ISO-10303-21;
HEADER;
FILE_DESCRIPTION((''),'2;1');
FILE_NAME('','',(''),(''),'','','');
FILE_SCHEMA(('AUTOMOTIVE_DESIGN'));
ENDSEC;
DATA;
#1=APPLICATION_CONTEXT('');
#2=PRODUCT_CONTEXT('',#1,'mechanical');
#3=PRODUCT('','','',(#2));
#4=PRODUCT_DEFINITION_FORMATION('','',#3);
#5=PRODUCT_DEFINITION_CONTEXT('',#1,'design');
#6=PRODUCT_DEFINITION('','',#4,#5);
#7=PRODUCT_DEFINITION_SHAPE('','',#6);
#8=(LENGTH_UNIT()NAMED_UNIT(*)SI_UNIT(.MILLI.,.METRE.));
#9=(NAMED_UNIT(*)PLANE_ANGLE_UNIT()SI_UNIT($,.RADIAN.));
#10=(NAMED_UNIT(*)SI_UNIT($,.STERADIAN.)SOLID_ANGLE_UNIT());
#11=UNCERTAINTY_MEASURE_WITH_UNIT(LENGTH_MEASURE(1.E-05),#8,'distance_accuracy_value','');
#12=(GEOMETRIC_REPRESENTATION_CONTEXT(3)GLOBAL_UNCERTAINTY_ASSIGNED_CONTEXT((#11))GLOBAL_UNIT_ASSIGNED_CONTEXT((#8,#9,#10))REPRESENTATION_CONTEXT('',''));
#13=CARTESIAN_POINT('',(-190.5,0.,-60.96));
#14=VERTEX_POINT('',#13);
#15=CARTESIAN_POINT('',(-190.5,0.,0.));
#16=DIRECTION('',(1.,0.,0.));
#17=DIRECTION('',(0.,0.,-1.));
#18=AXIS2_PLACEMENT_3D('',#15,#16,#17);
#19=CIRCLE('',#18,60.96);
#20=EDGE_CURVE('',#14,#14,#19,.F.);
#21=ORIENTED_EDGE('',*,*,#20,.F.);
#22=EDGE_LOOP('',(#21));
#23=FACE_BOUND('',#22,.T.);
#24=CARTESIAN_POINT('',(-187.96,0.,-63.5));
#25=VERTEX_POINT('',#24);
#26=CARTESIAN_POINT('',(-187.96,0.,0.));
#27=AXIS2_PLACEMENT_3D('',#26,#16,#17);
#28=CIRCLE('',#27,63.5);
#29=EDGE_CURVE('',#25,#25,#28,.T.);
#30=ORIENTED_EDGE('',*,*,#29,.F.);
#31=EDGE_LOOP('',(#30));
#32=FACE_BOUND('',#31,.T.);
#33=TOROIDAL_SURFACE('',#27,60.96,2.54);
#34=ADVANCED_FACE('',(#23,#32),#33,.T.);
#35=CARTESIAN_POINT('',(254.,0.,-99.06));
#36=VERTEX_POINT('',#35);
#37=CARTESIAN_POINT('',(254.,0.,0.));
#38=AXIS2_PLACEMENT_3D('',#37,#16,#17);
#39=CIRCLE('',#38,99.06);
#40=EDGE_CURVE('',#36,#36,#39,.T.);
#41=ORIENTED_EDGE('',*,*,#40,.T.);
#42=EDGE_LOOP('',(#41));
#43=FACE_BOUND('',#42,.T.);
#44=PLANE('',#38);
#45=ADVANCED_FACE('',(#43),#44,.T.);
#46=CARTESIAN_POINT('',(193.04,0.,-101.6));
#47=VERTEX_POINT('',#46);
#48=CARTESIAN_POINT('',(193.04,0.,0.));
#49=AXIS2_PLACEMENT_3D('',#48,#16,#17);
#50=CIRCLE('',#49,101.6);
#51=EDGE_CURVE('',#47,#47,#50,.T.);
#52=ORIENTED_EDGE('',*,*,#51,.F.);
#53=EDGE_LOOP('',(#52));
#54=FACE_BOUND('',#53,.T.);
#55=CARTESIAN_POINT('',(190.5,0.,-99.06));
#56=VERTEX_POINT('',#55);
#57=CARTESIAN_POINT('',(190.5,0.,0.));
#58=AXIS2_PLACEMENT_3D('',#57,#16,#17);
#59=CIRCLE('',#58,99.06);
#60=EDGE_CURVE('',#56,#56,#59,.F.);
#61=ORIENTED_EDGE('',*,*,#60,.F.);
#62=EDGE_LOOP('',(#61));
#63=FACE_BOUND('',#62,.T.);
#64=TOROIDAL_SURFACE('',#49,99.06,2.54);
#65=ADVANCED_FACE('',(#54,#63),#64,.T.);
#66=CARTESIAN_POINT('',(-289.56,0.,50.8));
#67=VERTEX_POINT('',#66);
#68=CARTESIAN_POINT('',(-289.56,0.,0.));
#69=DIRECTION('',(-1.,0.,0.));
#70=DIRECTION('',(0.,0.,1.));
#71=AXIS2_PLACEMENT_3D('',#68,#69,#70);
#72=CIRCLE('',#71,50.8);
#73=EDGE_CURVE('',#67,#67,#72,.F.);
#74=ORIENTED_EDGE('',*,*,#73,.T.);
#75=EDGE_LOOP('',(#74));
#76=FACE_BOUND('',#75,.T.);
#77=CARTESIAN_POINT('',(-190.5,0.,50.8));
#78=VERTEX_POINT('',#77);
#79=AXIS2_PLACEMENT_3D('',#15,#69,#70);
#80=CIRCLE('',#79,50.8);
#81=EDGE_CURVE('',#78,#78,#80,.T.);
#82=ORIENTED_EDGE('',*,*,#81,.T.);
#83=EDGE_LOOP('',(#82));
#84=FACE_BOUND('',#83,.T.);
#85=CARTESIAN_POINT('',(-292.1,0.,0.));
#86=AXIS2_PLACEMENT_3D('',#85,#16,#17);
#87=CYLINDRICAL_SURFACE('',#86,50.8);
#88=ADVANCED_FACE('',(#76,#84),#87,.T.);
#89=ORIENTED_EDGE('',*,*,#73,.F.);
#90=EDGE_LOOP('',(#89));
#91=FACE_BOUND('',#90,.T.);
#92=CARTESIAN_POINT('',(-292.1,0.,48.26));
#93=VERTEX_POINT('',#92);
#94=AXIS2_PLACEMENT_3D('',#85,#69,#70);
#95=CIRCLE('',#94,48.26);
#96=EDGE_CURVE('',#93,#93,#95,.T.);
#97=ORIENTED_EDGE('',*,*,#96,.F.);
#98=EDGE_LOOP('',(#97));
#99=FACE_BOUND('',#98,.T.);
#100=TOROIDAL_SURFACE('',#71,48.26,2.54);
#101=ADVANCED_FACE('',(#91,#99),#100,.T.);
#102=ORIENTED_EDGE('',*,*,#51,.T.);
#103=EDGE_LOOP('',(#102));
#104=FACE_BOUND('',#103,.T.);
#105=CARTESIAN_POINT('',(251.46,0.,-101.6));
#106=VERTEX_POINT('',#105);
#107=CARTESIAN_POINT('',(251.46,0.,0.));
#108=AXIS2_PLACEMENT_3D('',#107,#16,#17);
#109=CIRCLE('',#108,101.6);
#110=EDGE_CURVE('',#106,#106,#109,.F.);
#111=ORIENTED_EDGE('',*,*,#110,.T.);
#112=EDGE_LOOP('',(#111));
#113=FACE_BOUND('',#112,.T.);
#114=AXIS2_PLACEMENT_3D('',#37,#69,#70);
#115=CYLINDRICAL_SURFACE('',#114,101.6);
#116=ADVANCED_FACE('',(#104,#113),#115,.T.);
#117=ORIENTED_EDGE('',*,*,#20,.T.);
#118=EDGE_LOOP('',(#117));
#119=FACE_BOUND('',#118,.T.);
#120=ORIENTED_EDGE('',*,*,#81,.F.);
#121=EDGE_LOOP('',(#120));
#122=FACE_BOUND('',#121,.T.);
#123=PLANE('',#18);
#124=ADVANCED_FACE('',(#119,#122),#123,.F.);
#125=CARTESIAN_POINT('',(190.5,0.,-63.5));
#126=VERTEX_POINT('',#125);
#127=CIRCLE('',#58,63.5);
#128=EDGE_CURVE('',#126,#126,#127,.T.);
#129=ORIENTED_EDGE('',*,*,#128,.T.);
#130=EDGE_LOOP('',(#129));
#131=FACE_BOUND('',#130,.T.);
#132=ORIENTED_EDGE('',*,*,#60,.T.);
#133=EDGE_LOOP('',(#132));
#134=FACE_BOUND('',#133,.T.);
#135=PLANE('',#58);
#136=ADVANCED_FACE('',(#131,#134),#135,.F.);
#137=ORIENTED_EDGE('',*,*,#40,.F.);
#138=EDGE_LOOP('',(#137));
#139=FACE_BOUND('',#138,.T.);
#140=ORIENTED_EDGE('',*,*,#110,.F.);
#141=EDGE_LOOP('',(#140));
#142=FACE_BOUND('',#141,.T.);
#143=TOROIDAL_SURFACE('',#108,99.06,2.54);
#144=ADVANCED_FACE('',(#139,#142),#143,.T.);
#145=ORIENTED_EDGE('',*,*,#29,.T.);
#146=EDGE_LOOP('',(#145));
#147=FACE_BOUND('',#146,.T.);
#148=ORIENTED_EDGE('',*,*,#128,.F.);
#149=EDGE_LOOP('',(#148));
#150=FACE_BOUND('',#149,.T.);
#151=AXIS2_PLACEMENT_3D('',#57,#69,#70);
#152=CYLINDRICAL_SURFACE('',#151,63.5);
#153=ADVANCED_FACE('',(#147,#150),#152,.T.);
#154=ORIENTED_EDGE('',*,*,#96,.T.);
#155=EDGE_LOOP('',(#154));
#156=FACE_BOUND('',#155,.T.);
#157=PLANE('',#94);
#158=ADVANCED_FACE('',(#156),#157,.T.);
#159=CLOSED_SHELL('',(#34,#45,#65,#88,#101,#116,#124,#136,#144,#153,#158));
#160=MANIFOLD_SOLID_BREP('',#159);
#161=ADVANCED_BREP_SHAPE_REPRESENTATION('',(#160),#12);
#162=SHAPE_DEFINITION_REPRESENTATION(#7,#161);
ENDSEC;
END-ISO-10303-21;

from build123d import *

# Parameters (mm, degrees)
SKETCH2_R           = 63.5
BOSS_EXTRUDE1_DEPTH = 190.5
SKETCH3_R           = 50.8
BOSS_EXTRUDE2_DEPTH = 101.6
SKETCH4_R           = 101.6
BOSS_EXTRUDE3_DEPTH = 63.5
FILLET1_R           = 2.54
FILLET2_R           = 2.54


with BuildPart() as part:
    # Sketch2 → Boss-Extrude1 (new, symmetric)
    with BuildSketch(Plane(origin=(0, 0, 0), x_dir=(0, 0, -1), z_dir=(1, 0, 0))):
        Circle(SKETCH2_R)
    extrude(amount=BOSS_EXTRUDE1_DEPTH, both=True)

    # Sketch3 → Boss-Extrude2 (add)
    with BuildSketch(Plane.ZY.offset(190.5)):
        Circle(SKETCH3_R)
    extrude(amount=BOSS_EXTRUDE2_DEPTH)

    # Sketch4 → Boss-Extrude3 (add)
    with BuildSketch(Plane(origin=(190.5, 0, 0), x_dir=(0, 0, -1), z_dir=(1, 0, 0))):
        Circle(SKETCH4_R)
    extrude(amount=BOSS_EXTRUDE3_DEPTH)

    # Fillet1
    fillet1_edges = [part.edges().sort_by_distance(p)[0] for p in [
        (254, 0, 101.6),
        (190.5, 0, 101.6),
    ]]
    fillet(fillet1_edges, radius=FILLET1_R)

    # Fillet2
    fillet2_edges = [part.edges().sort_by_distance(p)[0] for p in [
        (-190.5, 0, 63.5),
        (-292.1, 0, -50.8),
    ]]
    fillet(fillet2_edges, radius=FILLET2_R)


solid = part.part
